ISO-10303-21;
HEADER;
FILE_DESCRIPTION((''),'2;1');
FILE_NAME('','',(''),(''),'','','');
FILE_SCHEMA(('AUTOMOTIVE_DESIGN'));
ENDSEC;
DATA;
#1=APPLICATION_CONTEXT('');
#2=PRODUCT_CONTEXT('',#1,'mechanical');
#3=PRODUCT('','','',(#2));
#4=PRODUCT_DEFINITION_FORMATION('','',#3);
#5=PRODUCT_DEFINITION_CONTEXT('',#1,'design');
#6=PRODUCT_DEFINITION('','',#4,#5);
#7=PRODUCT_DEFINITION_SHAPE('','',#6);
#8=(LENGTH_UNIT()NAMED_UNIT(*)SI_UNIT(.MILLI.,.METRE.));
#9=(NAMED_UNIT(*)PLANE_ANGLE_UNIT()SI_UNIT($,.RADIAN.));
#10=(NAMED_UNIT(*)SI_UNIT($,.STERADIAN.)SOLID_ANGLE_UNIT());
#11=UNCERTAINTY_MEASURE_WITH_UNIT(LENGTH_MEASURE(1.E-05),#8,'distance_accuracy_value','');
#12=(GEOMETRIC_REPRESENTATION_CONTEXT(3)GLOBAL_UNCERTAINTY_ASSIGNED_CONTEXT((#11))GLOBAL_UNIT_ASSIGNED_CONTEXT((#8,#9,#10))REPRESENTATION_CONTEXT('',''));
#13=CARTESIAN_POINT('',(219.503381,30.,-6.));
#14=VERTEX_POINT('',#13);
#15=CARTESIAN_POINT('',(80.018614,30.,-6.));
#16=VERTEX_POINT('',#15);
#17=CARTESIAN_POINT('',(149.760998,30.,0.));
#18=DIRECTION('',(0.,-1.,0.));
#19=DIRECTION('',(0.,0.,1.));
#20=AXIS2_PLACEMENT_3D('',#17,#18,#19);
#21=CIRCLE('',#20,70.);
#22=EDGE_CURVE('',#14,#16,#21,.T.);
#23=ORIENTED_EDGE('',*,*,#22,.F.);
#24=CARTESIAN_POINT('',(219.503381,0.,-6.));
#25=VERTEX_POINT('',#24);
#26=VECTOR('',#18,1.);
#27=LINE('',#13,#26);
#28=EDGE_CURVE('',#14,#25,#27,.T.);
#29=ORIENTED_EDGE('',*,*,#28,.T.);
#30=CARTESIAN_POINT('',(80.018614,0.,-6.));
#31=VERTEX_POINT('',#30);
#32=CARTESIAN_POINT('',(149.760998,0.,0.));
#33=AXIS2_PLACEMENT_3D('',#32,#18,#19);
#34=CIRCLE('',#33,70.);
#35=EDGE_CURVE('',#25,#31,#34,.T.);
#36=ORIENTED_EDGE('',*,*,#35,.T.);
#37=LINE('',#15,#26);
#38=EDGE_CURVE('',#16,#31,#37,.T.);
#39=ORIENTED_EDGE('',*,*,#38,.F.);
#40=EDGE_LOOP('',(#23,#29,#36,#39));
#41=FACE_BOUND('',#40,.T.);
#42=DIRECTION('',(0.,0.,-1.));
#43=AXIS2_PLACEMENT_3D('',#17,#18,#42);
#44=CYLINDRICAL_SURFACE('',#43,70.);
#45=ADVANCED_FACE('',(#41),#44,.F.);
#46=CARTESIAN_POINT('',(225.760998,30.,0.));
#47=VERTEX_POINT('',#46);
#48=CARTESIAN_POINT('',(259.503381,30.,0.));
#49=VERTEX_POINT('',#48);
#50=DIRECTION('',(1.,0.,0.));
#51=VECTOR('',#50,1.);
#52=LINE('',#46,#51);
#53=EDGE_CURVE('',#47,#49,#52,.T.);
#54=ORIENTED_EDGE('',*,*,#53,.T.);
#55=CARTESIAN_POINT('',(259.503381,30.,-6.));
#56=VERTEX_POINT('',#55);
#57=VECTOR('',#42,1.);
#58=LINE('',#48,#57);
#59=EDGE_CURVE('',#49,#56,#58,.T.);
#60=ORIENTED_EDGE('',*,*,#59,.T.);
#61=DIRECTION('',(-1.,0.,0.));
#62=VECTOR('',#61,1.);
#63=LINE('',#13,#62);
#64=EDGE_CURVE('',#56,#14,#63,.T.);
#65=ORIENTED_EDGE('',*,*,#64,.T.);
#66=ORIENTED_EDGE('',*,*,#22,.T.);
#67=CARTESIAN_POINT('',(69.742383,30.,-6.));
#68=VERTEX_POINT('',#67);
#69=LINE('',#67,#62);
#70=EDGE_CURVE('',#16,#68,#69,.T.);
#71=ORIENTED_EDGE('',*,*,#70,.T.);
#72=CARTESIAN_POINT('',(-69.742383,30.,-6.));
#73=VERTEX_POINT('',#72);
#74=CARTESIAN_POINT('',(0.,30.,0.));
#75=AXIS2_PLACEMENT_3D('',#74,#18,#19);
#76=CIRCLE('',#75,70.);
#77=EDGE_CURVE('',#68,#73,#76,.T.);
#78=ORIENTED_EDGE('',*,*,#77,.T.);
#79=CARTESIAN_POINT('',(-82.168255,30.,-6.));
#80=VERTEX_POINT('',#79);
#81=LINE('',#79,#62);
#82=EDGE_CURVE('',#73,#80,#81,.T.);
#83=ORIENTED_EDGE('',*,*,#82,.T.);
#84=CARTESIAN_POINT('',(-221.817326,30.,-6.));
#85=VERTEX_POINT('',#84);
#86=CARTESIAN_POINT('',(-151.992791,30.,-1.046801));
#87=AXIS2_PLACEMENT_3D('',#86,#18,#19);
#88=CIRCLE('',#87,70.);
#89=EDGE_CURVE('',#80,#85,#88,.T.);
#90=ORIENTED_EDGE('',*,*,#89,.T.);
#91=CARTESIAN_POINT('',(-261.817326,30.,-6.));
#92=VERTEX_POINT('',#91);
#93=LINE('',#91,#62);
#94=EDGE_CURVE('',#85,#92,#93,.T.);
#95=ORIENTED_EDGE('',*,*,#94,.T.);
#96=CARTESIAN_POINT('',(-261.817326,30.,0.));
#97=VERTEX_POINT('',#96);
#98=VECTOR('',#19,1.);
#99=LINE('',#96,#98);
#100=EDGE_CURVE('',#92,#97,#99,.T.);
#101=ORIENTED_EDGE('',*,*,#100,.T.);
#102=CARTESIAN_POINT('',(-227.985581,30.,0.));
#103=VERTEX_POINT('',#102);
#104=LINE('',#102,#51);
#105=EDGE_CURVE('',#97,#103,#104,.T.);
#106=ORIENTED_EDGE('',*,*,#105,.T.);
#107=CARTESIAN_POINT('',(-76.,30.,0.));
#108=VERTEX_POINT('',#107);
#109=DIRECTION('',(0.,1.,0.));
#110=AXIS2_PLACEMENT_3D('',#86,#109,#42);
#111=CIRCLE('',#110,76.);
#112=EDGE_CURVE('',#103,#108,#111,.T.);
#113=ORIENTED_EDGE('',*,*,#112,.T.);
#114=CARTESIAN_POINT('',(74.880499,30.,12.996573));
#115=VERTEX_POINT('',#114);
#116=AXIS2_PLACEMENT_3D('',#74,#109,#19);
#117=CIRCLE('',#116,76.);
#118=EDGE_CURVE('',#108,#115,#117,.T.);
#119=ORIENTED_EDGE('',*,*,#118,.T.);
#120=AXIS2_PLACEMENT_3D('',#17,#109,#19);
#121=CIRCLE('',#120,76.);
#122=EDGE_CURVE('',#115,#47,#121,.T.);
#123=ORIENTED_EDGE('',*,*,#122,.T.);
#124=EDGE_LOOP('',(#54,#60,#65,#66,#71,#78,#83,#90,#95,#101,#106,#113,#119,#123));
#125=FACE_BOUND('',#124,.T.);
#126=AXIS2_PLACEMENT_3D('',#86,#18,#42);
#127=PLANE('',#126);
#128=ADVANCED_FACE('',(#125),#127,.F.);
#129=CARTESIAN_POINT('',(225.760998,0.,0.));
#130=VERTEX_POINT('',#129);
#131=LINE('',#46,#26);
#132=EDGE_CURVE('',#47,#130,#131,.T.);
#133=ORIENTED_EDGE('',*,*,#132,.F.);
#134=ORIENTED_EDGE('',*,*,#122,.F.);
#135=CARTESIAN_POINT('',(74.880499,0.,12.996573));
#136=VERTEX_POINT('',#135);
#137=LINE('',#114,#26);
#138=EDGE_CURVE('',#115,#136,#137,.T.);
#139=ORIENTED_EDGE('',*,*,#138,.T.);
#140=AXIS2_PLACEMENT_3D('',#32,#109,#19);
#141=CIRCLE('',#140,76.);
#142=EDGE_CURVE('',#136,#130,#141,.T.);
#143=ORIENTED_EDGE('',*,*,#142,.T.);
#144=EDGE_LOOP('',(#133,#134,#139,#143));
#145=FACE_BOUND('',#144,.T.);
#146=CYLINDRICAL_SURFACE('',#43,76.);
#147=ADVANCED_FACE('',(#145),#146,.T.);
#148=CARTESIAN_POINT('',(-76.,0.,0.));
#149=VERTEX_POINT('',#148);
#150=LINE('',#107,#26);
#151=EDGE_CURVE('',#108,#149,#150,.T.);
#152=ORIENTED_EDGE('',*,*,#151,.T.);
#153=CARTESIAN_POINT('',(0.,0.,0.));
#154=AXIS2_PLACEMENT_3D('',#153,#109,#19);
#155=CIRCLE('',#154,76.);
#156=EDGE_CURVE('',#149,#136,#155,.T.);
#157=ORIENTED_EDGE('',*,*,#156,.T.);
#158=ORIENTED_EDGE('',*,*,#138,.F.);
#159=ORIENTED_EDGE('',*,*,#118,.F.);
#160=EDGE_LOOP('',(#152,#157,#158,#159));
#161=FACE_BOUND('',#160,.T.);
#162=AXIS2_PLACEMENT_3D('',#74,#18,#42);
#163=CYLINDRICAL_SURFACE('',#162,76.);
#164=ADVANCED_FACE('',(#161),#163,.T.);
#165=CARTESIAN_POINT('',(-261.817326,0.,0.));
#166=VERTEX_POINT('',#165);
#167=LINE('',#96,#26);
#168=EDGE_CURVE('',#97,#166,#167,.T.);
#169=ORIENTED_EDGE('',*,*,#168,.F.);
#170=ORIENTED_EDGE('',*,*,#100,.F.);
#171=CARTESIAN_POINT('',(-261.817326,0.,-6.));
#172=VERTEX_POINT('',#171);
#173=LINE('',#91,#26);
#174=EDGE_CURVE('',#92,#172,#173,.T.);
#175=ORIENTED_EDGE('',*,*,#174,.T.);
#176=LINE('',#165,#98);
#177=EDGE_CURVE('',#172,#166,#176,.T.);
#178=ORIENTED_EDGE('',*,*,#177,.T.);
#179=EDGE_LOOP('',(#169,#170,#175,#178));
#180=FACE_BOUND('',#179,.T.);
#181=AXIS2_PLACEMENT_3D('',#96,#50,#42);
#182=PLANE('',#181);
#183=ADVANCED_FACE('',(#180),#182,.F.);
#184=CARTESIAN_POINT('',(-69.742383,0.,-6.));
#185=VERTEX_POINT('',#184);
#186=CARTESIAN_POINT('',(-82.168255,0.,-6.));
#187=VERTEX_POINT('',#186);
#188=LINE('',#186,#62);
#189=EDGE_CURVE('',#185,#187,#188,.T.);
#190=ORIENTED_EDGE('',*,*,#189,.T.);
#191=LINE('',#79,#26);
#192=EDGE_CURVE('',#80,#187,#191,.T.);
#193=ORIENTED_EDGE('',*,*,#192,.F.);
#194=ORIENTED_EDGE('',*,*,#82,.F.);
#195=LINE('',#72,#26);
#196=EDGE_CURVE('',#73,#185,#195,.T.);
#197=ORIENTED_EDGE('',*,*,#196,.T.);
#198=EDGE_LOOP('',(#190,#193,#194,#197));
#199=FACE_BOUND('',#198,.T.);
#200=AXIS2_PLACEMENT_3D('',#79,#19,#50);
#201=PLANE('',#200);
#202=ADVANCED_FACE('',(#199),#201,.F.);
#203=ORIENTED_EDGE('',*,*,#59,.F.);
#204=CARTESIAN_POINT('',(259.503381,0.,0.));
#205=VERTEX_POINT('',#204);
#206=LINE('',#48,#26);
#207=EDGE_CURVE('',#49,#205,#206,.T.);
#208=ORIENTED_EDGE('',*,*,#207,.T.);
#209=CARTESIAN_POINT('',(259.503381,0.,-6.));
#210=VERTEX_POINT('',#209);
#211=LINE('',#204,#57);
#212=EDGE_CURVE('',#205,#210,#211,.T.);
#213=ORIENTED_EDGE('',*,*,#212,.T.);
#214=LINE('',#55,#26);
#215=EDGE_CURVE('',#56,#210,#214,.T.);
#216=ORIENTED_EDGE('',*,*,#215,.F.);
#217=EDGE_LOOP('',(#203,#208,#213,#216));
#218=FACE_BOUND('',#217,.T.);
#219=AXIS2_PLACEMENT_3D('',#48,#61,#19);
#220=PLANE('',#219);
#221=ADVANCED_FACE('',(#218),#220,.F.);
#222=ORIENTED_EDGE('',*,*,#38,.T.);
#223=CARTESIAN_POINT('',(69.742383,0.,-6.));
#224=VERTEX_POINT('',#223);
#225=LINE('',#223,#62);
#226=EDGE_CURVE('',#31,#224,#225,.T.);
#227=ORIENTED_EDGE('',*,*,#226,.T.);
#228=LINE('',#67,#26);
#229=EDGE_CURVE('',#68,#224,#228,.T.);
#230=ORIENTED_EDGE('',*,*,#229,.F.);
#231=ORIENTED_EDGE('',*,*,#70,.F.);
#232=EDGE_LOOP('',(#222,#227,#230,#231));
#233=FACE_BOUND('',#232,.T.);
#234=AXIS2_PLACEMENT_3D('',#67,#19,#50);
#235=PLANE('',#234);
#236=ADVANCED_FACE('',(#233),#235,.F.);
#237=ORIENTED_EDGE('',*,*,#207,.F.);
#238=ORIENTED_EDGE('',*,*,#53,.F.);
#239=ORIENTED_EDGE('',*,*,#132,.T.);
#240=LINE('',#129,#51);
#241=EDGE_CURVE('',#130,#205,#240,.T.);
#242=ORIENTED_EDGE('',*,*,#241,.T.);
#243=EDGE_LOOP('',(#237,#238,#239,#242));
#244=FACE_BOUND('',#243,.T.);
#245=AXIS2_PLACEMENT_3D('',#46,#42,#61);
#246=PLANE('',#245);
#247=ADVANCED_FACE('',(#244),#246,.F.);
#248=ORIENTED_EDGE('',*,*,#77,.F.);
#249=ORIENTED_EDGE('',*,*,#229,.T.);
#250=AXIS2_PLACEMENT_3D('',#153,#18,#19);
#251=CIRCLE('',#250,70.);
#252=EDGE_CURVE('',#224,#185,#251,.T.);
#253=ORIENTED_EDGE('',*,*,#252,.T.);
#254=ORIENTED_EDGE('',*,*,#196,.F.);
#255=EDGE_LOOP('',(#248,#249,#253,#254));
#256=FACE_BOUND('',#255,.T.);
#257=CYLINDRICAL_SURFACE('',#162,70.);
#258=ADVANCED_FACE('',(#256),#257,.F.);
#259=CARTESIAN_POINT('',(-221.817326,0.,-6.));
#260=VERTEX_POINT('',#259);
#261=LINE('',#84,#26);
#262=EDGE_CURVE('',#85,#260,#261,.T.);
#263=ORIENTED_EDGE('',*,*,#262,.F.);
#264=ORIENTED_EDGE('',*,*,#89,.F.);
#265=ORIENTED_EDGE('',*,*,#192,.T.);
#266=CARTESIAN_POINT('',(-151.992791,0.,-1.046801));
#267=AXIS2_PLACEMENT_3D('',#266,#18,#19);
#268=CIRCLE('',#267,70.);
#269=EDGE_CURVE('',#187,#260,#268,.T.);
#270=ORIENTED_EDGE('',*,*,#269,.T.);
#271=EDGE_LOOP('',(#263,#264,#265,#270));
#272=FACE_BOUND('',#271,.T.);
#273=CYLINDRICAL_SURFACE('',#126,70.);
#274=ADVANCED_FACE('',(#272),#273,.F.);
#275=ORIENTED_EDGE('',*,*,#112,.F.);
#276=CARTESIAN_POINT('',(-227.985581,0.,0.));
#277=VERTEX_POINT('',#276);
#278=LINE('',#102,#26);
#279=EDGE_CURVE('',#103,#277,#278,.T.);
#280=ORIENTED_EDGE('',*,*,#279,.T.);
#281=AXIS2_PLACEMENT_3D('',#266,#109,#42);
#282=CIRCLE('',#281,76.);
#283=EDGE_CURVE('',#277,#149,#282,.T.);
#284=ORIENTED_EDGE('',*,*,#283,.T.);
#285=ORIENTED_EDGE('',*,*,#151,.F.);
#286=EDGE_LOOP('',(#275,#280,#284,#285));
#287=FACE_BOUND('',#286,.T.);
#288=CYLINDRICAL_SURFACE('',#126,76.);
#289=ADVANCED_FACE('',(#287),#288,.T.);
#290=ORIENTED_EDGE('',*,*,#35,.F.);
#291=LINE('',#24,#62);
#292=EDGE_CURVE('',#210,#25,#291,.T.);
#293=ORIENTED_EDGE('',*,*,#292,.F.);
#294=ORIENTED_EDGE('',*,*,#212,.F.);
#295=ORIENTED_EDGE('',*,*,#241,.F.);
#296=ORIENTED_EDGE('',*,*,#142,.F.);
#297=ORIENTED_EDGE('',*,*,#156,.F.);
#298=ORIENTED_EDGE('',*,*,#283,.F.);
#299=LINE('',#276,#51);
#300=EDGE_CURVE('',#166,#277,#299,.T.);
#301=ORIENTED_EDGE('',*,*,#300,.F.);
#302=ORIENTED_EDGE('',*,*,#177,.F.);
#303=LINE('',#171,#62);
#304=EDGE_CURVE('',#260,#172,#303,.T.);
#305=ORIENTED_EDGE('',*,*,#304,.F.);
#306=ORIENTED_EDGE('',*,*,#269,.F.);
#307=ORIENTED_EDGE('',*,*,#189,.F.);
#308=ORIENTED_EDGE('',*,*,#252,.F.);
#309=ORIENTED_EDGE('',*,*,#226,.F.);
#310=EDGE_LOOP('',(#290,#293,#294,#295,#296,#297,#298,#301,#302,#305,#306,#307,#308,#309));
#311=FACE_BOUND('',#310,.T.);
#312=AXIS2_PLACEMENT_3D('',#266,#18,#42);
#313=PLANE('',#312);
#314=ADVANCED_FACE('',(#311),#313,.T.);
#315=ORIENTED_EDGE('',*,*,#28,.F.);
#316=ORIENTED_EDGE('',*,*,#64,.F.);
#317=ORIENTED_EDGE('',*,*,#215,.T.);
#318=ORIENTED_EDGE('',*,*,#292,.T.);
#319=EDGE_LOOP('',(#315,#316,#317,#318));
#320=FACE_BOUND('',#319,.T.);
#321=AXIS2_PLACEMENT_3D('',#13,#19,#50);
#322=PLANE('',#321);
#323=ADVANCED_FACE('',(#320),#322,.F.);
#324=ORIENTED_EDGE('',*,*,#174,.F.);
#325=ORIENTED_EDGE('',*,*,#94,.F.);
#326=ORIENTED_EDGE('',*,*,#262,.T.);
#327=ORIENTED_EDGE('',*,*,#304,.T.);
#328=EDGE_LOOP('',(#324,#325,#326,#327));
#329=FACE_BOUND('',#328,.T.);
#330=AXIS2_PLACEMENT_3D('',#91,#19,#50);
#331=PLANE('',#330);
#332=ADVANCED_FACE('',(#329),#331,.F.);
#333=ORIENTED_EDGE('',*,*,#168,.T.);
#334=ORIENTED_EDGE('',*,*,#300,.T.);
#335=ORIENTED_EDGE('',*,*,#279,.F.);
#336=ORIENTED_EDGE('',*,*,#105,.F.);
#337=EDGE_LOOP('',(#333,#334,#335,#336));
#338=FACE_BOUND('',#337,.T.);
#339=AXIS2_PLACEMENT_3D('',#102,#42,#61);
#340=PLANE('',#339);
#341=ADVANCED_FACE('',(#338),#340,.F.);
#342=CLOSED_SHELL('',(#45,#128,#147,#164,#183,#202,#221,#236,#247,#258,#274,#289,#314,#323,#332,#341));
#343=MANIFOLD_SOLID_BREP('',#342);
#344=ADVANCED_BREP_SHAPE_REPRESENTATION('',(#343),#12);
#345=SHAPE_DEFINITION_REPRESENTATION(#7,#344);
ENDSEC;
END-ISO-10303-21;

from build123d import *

# Parameters (mm, degrees)
EXTRUDE_1_DEPTH = 30


with BuildPart() as part:
    # 草图3 → 凸台-拉伸1 (new body)
    with BuildSketch(Plane(origin=(0, 0, 0), x_dir=(1, 0, 0), z_dir=(0, 1, 0))):
        with BuildLine():
            Line((-227.985581002, 0), (-261.817326429, 0))
            Line((-261.817326429, 0), (-261.817326429, 6))
            Line((-261.817326429, 6), (-221.817326429, 6))
            ThreePointArc((-221.817326429, 6), (-151.992790501, -68.953199218), (-82.168254573, 6))
            Line((-82.168254573, 6), (-69.742383097, 6))
            ThreePointArc((-69.742383097, 6), (0, -70), (69.742383097, 6))
            Line((69.742383097, 6), (80.018614475, 6))
            ThreePointArc((80.018614475, 6), (149.760997572, -70), (219.503380668, 6))
            Line((219.503380668, 6), (259.503380668, 6))
            Line((259.503380668, 6), (259.503380668, 0))
            Line((259.503380668, 0), (225.760997572, 0))
            ThreePointArc((225.760997572, 0), (156.283347312, -75.71960746), (74.880498786, -12.996572686))
            ThreePointArc((74.880498786, -12.996572686), (-6.52234974, -75.71960746), (-76, 0))
            ThreePointArc((-76, 0), (-151.992790501, -74.953199218), (-227.985581002, 0))
        make_face()
    extrude(amount=EXTRUDE_1_DEPTH)


solid = part.part
